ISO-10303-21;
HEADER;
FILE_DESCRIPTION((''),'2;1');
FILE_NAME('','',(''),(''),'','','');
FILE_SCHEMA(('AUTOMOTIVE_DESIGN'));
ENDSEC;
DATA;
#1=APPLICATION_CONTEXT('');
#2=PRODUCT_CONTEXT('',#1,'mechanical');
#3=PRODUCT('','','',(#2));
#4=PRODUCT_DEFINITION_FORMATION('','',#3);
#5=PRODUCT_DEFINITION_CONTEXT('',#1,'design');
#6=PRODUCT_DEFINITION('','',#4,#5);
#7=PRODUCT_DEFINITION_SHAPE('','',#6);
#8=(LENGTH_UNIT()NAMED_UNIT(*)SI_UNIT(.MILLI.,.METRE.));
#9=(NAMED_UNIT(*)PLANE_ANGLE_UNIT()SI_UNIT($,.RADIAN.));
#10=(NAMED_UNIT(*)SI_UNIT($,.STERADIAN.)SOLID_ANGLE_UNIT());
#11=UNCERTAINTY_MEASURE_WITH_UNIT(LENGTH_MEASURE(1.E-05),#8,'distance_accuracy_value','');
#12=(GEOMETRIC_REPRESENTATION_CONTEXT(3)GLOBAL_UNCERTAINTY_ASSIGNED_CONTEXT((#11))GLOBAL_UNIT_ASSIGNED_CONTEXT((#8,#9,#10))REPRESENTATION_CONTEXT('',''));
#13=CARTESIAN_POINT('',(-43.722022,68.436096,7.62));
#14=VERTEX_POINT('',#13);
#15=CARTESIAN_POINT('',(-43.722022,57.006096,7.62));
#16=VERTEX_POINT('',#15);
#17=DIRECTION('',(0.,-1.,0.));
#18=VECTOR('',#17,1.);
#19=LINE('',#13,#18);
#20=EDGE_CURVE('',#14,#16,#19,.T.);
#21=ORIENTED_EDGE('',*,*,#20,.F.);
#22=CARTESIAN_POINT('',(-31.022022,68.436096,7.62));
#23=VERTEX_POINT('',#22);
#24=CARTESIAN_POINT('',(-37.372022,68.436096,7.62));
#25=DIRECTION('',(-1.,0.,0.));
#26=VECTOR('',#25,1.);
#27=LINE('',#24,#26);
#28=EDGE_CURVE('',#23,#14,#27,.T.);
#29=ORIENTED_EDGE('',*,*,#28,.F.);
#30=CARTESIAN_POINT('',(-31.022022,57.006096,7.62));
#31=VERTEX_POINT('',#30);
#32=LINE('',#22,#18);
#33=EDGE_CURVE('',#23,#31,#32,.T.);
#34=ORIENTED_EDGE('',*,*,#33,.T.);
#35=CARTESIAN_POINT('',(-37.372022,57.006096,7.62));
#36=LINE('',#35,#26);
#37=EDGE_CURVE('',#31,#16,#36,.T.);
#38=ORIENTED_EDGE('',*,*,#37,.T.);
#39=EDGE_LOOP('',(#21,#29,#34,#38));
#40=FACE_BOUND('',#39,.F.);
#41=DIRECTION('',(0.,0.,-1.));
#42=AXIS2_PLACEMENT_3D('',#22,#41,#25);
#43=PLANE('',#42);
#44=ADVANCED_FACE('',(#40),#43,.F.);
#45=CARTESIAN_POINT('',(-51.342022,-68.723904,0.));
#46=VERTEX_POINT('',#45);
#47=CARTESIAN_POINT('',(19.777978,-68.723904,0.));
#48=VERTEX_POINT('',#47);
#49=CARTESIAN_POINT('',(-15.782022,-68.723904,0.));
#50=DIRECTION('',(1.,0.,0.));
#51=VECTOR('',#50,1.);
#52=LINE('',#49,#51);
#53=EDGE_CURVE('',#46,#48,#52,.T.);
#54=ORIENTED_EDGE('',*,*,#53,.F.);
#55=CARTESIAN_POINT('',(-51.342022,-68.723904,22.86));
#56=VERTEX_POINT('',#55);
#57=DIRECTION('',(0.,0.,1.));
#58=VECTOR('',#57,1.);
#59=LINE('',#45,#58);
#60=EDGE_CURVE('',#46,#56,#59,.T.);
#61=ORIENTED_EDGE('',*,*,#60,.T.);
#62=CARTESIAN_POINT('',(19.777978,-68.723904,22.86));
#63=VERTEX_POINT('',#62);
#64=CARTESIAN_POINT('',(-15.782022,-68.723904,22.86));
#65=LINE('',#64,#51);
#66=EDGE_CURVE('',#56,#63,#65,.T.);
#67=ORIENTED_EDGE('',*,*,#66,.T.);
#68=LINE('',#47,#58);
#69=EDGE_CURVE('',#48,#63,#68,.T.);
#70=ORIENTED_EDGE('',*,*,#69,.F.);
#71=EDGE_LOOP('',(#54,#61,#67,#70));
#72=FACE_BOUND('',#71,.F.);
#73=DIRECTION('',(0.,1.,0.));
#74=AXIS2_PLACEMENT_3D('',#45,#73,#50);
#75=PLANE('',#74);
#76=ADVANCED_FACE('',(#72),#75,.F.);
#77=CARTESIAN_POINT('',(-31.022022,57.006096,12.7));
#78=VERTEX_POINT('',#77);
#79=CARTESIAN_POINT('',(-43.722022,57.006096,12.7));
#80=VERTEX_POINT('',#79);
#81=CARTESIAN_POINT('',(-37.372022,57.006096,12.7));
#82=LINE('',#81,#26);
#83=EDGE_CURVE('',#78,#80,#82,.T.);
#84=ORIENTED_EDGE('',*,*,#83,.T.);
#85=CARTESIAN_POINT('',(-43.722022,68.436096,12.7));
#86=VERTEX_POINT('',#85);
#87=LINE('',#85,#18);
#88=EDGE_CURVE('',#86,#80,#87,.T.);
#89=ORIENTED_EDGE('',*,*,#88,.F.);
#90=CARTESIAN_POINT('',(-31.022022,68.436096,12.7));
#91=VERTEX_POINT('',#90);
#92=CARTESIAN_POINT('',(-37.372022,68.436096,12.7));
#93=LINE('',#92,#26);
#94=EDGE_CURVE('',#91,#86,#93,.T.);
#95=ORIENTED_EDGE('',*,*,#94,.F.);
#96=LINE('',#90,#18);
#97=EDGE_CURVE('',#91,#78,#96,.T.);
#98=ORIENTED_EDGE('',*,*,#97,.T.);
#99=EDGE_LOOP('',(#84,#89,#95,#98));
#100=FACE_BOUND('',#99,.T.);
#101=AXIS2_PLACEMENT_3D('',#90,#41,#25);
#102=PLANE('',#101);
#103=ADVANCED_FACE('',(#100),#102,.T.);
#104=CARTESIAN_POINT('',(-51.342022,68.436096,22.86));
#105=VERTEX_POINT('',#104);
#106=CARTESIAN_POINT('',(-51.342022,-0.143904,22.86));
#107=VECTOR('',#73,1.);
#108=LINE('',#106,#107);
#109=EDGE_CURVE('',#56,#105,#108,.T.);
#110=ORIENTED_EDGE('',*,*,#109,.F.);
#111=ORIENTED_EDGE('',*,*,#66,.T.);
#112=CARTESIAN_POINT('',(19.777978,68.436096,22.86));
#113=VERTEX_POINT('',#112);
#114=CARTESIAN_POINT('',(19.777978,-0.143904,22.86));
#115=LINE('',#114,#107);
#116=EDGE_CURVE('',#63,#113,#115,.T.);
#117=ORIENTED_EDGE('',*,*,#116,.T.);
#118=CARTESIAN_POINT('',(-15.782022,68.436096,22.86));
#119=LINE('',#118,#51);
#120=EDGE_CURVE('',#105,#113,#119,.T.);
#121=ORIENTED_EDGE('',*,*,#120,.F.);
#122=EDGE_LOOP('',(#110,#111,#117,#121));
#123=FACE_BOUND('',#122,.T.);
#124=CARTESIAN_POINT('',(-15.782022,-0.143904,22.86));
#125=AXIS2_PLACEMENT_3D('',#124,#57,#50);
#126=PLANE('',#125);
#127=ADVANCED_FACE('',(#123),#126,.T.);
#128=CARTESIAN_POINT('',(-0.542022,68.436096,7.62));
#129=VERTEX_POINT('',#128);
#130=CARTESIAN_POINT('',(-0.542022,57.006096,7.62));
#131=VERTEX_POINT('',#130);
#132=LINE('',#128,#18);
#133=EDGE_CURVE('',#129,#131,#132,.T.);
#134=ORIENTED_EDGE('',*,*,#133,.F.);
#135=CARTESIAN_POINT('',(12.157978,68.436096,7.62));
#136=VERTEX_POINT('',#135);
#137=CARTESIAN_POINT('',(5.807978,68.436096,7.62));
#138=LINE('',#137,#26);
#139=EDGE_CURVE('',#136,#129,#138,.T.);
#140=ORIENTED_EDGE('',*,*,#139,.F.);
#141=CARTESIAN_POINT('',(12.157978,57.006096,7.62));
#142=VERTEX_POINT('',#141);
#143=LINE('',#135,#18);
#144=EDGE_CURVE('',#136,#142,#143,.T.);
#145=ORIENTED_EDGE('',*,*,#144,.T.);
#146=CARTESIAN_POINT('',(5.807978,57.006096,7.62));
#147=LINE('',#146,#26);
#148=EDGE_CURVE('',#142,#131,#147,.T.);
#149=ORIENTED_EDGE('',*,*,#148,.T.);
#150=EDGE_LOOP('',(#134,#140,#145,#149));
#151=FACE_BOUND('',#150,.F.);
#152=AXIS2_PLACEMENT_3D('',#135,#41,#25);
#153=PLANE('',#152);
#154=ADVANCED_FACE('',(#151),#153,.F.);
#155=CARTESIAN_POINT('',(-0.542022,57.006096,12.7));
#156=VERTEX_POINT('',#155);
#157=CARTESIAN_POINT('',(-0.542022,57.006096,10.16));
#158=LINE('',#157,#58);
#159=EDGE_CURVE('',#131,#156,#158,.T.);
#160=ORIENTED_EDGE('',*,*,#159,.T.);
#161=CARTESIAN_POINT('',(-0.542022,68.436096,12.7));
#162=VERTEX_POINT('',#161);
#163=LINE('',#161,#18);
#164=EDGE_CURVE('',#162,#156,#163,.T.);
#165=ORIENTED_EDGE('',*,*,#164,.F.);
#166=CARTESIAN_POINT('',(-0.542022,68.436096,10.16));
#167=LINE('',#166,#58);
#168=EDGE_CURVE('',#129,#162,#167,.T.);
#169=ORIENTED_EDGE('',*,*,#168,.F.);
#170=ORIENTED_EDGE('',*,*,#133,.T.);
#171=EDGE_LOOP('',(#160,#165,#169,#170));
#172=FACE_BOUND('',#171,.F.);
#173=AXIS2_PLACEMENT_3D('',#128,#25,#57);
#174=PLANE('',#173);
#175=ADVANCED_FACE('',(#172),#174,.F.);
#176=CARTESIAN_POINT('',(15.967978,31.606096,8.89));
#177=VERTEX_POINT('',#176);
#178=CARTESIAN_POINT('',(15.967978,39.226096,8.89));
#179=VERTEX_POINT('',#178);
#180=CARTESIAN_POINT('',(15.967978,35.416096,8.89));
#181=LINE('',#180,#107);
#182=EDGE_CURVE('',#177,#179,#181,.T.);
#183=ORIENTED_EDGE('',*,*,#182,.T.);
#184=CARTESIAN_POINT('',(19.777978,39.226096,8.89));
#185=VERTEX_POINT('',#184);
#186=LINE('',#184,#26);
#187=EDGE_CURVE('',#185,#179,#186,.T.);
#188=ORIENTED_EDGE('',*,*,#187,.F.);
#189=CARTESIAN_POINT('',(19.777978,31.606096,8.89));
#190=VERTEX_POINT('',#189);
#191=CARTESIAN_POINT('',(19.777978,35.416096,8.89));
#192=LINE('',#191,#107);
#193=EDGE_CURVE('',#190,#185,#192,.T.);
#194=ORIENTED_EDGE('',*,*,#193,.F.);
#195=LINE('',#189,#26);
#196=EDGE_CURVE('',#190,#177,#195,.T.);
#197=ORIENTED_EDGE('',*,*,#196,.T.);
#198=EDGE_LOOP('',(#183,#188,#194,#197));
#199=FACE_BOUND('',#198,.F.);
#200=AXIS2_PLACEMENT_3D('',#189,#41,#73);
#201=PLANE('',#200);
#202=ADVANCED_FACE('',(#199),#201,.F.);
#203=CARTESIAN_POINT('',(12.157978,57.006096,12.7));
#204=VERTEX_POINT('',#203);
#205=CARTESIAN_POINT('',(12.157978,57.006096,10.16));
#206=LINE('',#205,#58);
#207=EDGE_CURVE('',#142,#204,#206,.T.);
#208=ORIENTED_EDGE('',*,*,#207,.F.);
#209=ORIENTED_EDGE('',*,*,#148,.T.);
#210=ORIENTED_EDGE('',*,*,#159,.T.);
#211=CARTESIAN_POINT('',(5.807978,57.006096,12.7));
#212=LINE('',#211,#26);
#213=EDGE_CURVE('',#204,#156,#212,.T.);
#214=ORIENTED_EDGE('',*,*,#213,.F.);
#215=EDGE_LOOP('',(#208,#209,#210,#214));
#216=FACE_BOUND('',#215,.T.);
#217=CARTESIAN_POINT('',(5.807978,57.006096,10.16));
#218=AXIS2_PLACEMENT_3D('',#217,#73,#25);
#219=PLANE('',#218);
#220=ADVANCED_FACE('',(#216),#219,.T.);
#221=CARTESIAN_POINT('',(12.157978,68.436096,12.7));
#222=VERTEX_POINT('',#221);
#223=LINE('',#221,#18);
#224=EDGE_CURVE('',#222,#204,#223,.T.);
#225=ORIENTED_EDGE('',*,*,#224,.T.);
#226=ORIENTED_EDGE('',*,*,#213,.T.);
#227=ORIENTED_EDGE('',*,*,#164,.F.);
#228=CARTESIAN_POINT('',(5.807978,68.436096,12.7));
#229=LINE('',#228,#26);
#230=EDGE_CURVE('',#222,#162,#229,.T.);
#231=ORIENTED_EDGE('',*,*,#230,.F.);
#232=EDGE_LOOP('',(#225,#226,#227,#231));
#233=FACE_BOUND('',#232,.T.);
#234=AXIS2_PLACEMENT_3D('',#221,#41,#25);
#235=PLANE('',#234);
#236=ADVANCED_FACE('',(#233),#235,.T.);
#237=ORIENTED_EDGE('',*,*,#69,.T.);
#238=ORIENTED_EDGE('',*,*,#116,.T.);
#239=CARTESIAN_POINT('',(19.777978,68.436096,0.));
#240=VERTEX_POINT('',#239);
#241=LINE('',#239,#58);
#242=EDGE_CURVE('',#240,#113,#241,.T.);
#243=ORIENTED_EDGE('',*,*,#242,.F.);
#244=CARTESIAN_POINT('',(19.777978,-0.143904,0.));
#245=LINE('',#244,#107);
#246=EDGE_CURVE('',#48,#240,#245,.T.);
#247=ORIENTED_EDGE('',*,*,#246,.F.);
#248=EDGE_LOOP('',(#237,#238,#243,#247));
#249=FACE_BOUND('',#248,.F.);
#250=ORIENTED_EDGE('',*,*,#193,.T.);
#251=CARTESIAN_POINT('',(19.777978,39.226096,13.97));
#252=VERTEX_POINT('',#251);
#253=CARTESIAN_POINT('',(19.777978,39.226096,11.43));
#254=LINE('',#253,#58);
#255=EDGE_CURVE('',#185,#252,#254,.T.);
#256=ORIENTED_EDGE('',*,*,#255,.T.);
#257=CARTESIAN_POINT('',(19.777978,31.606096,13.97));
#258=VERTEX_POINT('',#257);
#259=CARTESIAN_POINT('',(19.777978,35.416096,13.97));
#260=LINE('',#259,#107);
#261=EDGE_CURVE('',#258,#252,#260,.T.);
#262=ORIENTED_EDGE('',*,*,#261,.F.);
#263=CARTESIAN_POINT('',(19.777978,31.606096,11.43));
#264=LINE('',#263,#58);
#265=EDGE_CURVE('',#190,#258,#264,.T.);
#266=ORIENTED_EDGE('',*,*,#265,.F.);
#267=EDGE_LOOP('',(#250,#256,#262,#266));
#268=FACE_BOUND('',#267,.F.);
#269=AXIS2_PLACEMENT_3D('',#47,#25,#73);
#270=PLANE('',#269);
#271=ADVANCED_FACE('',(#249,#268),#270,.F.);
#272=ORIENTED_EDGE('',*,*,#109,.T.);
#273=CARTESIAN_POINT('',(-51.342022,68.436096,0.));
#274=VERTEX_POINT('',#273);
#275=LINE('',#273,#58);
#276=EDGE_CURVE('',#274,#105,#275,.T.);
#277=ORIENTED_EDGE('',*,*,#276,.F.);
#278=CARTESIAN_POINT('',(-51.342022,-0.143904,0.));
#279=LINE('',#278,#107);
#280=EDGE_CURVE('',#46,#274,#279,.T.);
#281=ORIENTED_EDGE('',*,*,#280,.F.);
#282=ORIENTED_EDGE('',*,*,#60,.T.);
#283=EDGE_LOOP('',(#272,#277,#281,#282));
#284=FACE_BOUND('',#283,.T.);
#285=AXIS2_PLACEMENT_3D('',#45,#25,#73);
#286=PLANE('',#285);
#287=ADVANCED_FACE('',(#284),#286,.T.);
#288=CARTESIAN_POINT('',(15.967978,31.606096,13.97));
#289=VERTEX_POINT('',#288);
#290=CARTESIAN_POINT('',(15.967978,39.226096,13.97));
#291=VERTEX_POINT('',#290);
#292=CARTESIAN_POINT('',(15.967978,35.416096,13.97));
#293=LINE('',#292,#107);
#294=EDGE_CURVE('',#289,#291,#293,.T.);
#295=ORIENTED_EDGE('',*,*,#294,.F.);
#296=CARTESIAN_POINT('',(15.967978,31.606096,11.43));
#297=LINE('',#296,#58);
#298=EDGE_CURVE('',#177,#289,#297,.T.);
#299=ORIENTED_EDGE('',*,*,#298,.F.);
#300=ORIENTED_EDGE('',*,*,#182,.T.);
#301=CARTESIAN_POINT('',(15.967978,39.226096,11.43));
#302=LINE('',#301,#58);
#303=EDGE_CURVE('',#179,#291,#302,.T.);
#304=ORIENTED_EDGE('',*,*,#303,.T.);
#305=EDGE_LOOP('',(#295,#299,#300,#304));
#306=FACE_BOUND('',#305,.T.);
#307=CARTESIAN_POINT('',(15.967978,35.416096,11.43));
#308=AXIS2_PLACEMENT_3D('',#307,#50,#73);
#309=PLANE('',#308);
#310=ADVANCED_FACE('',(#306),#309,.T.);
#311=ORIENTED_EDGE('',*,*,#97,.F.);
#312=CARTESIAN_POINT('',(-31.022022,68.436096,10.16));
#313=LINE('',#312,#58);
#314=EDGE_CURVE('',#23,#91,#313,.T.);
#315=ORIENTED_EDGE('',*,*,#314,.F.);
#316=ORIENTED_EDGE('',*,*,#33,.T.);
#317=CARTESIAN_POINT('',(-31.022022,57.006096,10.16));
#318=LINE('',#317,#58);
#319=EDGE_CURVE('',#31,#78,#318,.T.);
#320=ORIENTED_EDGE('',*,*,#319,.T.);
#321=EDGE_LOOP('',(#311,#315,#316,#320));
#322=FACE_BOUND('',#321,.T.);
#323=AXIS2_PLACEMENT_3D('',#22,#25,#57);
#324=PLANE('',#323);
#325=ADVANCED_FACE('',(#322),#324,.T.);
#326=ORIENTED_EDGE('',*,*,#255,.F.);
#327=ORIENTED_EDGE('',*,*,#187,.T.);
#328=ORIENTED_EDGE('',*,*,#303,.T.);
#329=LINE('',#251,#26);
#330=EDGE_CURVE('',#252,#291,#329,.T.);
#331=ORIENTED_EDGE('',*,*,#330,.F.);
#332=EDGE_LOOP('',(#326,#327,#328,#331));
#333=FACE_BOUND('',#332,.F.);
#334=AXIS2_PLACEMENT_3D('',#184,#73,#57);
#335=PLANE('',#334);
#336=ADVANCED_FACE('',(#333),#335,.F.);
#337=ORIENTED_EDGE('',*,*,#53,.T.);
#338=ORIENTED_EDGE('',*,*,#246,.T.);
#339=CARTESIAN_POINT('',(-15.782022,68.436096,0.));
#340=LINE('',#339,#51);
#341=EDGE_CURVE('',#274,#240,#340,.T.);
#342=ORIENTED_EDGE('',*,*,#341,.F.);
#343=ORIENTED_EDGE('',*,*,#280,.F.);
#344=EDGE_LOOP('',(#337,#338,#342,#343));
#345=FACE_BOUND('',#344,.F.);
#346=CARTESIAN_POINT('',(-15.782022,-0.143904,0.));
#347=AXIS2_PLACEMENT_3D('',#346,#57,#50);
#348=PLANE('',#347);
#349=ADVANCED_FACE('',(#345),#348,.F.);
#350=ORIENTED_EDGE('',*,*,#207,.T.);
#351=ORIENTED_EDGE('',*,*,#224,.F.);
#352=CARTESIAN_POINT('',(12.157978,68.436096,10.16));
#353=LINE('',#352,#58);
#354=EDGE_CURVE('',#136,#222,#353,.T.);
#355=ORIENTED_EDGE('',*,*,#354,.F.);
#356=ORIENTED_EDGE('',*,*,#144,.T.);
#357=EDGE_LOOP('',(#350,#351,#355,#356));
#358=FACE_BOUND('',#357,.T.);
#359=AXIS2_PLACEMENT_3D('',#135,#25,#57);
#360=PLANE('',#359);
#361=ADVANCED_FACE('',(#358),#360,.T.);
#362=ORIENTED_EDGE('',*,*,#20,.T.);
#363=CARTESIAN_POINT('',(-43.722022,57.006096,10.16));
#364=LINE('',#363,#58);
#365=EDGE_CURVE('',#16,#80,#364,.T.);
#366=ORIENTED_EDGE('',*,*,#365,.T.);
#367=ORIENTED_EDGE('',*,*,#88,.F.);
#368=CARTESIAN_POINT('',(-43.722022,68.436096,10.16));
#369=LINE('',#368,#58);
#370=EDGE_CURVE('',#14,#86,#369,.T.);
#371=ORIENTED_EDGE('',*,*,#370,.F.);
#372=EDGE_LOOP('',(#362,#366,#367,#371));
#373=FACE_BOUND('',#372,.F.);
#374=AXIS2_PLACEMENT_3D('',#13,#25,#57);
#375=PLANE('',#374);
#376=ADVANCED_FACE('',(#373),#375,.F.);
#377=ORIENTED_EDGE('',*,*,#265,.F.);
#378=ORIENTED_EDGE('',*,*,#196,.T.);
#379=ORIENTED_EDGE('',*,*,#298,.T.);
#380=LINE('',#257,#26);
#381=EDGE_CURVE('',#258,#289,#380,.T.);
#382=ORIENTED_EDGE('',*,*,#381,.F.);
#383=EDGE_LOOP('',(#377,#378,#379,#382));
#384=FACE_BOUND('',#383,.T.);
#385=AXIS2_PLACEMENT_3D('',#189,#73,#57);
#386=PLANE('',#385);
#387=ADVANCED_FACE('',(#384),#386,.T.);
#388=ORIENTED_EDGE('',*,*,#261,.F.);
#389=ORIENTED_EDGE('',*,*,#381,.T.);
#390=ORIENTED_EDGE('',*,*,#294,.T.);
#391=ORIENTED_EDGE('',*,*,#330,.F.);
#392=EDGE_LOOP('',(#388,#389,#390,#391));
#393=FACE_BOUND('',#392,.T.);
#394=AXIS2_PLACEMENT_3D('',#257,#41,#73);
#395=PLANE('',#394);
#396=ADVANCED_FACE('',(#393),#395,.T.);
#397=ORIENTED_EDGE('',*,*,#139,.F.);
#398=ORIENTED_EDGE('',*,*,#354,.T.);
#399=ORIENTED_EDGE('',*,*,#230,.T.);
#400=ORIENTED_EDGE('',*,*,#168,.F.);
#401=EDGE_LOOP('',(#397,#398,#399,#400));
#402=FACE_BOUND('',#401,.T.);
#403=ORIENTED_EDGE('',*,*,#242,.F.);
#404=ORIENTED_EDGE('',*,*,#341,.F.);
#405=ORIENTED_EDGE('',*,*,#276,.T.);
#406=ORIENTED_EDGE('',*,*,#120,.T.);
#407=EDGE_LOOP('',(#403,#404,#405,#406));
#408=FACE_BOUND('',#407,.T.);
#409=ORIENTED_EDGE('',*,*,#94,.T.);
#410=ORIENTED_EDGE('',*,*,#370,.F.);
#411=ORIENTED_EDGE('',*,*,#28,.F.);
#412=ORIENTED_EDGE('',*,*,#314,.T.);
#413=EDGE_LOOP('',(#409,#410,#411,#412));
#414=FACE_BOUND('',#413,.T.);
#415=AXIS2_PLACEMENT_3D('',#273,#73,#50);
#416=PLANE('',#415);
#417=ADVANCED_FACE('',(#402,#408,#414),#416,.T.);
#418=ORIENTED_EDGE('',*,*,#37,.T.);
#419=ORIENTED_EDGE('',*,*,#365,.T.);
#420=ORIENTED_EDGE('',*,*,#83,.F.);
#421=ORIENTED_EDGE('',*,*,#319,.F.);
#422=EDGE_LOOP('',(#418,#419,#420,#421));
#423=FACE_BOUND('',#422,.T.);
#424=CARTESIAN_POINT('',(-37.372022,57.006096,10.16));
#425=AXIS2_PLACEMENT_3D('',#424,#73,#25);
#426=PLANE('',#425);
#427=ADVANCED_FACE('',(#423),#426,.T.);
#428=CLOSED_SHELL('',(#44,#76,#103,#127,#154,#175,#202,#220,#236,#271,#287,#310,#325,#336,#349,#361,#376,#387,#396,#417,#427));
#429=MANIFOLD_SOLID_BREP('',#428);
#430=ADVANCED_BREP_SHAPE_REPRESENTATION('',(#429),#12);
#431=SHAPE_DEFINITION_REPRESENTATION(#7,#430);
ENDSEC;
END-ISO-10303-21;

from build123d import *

# Parameters (mm, degrees)
F0_W     = 71.12
F0_H     = 137.16
F1_DEPTH = 22.86
F2_W     = 12.7
F2_H     = 5.08
F3_DEPTH = 11.43
F4_W     = 7.62
F4_H     = 5.08
F5_DEPTH = 3.81


with BuildPart() as f1:
    # F0 (on Top) → F1 (new body)
    with BuildSketch(Plane.XY):
        with Locations((-15.782022, -0.143904)):
            Rectangle(F0_W, F0_H)
    extrude(amount=F1_DEPTH)

    # F2 (on face) → F3 (cut)
    with BuildSketch(Plane(origin=(0, 68.436096, 0), x_dir=(-1, 0, 0), z_dir=(0, 1, 0))):
        with Locations((-5.807978, 10.16)):
            Rectangle(F2_W, F2_H)
        with Locations((37.372022, 10.16)):
            Rectangle(F2_W, F2_H)
    extrude(amount=-F3_DEPTH, mode=Mode.SUBTRACT)

    # F4 (on face) → F5 (cut)
    with BuildSketch(Plane.YZ.offset(19.777978)):
        with Locations((35.416096, 11.43)):
            Rectangle(F4_W, F4_H)
    extrude(amount=-F5_DEPTH, mode=Mode.SUBTRACT)


solid = f1.part
